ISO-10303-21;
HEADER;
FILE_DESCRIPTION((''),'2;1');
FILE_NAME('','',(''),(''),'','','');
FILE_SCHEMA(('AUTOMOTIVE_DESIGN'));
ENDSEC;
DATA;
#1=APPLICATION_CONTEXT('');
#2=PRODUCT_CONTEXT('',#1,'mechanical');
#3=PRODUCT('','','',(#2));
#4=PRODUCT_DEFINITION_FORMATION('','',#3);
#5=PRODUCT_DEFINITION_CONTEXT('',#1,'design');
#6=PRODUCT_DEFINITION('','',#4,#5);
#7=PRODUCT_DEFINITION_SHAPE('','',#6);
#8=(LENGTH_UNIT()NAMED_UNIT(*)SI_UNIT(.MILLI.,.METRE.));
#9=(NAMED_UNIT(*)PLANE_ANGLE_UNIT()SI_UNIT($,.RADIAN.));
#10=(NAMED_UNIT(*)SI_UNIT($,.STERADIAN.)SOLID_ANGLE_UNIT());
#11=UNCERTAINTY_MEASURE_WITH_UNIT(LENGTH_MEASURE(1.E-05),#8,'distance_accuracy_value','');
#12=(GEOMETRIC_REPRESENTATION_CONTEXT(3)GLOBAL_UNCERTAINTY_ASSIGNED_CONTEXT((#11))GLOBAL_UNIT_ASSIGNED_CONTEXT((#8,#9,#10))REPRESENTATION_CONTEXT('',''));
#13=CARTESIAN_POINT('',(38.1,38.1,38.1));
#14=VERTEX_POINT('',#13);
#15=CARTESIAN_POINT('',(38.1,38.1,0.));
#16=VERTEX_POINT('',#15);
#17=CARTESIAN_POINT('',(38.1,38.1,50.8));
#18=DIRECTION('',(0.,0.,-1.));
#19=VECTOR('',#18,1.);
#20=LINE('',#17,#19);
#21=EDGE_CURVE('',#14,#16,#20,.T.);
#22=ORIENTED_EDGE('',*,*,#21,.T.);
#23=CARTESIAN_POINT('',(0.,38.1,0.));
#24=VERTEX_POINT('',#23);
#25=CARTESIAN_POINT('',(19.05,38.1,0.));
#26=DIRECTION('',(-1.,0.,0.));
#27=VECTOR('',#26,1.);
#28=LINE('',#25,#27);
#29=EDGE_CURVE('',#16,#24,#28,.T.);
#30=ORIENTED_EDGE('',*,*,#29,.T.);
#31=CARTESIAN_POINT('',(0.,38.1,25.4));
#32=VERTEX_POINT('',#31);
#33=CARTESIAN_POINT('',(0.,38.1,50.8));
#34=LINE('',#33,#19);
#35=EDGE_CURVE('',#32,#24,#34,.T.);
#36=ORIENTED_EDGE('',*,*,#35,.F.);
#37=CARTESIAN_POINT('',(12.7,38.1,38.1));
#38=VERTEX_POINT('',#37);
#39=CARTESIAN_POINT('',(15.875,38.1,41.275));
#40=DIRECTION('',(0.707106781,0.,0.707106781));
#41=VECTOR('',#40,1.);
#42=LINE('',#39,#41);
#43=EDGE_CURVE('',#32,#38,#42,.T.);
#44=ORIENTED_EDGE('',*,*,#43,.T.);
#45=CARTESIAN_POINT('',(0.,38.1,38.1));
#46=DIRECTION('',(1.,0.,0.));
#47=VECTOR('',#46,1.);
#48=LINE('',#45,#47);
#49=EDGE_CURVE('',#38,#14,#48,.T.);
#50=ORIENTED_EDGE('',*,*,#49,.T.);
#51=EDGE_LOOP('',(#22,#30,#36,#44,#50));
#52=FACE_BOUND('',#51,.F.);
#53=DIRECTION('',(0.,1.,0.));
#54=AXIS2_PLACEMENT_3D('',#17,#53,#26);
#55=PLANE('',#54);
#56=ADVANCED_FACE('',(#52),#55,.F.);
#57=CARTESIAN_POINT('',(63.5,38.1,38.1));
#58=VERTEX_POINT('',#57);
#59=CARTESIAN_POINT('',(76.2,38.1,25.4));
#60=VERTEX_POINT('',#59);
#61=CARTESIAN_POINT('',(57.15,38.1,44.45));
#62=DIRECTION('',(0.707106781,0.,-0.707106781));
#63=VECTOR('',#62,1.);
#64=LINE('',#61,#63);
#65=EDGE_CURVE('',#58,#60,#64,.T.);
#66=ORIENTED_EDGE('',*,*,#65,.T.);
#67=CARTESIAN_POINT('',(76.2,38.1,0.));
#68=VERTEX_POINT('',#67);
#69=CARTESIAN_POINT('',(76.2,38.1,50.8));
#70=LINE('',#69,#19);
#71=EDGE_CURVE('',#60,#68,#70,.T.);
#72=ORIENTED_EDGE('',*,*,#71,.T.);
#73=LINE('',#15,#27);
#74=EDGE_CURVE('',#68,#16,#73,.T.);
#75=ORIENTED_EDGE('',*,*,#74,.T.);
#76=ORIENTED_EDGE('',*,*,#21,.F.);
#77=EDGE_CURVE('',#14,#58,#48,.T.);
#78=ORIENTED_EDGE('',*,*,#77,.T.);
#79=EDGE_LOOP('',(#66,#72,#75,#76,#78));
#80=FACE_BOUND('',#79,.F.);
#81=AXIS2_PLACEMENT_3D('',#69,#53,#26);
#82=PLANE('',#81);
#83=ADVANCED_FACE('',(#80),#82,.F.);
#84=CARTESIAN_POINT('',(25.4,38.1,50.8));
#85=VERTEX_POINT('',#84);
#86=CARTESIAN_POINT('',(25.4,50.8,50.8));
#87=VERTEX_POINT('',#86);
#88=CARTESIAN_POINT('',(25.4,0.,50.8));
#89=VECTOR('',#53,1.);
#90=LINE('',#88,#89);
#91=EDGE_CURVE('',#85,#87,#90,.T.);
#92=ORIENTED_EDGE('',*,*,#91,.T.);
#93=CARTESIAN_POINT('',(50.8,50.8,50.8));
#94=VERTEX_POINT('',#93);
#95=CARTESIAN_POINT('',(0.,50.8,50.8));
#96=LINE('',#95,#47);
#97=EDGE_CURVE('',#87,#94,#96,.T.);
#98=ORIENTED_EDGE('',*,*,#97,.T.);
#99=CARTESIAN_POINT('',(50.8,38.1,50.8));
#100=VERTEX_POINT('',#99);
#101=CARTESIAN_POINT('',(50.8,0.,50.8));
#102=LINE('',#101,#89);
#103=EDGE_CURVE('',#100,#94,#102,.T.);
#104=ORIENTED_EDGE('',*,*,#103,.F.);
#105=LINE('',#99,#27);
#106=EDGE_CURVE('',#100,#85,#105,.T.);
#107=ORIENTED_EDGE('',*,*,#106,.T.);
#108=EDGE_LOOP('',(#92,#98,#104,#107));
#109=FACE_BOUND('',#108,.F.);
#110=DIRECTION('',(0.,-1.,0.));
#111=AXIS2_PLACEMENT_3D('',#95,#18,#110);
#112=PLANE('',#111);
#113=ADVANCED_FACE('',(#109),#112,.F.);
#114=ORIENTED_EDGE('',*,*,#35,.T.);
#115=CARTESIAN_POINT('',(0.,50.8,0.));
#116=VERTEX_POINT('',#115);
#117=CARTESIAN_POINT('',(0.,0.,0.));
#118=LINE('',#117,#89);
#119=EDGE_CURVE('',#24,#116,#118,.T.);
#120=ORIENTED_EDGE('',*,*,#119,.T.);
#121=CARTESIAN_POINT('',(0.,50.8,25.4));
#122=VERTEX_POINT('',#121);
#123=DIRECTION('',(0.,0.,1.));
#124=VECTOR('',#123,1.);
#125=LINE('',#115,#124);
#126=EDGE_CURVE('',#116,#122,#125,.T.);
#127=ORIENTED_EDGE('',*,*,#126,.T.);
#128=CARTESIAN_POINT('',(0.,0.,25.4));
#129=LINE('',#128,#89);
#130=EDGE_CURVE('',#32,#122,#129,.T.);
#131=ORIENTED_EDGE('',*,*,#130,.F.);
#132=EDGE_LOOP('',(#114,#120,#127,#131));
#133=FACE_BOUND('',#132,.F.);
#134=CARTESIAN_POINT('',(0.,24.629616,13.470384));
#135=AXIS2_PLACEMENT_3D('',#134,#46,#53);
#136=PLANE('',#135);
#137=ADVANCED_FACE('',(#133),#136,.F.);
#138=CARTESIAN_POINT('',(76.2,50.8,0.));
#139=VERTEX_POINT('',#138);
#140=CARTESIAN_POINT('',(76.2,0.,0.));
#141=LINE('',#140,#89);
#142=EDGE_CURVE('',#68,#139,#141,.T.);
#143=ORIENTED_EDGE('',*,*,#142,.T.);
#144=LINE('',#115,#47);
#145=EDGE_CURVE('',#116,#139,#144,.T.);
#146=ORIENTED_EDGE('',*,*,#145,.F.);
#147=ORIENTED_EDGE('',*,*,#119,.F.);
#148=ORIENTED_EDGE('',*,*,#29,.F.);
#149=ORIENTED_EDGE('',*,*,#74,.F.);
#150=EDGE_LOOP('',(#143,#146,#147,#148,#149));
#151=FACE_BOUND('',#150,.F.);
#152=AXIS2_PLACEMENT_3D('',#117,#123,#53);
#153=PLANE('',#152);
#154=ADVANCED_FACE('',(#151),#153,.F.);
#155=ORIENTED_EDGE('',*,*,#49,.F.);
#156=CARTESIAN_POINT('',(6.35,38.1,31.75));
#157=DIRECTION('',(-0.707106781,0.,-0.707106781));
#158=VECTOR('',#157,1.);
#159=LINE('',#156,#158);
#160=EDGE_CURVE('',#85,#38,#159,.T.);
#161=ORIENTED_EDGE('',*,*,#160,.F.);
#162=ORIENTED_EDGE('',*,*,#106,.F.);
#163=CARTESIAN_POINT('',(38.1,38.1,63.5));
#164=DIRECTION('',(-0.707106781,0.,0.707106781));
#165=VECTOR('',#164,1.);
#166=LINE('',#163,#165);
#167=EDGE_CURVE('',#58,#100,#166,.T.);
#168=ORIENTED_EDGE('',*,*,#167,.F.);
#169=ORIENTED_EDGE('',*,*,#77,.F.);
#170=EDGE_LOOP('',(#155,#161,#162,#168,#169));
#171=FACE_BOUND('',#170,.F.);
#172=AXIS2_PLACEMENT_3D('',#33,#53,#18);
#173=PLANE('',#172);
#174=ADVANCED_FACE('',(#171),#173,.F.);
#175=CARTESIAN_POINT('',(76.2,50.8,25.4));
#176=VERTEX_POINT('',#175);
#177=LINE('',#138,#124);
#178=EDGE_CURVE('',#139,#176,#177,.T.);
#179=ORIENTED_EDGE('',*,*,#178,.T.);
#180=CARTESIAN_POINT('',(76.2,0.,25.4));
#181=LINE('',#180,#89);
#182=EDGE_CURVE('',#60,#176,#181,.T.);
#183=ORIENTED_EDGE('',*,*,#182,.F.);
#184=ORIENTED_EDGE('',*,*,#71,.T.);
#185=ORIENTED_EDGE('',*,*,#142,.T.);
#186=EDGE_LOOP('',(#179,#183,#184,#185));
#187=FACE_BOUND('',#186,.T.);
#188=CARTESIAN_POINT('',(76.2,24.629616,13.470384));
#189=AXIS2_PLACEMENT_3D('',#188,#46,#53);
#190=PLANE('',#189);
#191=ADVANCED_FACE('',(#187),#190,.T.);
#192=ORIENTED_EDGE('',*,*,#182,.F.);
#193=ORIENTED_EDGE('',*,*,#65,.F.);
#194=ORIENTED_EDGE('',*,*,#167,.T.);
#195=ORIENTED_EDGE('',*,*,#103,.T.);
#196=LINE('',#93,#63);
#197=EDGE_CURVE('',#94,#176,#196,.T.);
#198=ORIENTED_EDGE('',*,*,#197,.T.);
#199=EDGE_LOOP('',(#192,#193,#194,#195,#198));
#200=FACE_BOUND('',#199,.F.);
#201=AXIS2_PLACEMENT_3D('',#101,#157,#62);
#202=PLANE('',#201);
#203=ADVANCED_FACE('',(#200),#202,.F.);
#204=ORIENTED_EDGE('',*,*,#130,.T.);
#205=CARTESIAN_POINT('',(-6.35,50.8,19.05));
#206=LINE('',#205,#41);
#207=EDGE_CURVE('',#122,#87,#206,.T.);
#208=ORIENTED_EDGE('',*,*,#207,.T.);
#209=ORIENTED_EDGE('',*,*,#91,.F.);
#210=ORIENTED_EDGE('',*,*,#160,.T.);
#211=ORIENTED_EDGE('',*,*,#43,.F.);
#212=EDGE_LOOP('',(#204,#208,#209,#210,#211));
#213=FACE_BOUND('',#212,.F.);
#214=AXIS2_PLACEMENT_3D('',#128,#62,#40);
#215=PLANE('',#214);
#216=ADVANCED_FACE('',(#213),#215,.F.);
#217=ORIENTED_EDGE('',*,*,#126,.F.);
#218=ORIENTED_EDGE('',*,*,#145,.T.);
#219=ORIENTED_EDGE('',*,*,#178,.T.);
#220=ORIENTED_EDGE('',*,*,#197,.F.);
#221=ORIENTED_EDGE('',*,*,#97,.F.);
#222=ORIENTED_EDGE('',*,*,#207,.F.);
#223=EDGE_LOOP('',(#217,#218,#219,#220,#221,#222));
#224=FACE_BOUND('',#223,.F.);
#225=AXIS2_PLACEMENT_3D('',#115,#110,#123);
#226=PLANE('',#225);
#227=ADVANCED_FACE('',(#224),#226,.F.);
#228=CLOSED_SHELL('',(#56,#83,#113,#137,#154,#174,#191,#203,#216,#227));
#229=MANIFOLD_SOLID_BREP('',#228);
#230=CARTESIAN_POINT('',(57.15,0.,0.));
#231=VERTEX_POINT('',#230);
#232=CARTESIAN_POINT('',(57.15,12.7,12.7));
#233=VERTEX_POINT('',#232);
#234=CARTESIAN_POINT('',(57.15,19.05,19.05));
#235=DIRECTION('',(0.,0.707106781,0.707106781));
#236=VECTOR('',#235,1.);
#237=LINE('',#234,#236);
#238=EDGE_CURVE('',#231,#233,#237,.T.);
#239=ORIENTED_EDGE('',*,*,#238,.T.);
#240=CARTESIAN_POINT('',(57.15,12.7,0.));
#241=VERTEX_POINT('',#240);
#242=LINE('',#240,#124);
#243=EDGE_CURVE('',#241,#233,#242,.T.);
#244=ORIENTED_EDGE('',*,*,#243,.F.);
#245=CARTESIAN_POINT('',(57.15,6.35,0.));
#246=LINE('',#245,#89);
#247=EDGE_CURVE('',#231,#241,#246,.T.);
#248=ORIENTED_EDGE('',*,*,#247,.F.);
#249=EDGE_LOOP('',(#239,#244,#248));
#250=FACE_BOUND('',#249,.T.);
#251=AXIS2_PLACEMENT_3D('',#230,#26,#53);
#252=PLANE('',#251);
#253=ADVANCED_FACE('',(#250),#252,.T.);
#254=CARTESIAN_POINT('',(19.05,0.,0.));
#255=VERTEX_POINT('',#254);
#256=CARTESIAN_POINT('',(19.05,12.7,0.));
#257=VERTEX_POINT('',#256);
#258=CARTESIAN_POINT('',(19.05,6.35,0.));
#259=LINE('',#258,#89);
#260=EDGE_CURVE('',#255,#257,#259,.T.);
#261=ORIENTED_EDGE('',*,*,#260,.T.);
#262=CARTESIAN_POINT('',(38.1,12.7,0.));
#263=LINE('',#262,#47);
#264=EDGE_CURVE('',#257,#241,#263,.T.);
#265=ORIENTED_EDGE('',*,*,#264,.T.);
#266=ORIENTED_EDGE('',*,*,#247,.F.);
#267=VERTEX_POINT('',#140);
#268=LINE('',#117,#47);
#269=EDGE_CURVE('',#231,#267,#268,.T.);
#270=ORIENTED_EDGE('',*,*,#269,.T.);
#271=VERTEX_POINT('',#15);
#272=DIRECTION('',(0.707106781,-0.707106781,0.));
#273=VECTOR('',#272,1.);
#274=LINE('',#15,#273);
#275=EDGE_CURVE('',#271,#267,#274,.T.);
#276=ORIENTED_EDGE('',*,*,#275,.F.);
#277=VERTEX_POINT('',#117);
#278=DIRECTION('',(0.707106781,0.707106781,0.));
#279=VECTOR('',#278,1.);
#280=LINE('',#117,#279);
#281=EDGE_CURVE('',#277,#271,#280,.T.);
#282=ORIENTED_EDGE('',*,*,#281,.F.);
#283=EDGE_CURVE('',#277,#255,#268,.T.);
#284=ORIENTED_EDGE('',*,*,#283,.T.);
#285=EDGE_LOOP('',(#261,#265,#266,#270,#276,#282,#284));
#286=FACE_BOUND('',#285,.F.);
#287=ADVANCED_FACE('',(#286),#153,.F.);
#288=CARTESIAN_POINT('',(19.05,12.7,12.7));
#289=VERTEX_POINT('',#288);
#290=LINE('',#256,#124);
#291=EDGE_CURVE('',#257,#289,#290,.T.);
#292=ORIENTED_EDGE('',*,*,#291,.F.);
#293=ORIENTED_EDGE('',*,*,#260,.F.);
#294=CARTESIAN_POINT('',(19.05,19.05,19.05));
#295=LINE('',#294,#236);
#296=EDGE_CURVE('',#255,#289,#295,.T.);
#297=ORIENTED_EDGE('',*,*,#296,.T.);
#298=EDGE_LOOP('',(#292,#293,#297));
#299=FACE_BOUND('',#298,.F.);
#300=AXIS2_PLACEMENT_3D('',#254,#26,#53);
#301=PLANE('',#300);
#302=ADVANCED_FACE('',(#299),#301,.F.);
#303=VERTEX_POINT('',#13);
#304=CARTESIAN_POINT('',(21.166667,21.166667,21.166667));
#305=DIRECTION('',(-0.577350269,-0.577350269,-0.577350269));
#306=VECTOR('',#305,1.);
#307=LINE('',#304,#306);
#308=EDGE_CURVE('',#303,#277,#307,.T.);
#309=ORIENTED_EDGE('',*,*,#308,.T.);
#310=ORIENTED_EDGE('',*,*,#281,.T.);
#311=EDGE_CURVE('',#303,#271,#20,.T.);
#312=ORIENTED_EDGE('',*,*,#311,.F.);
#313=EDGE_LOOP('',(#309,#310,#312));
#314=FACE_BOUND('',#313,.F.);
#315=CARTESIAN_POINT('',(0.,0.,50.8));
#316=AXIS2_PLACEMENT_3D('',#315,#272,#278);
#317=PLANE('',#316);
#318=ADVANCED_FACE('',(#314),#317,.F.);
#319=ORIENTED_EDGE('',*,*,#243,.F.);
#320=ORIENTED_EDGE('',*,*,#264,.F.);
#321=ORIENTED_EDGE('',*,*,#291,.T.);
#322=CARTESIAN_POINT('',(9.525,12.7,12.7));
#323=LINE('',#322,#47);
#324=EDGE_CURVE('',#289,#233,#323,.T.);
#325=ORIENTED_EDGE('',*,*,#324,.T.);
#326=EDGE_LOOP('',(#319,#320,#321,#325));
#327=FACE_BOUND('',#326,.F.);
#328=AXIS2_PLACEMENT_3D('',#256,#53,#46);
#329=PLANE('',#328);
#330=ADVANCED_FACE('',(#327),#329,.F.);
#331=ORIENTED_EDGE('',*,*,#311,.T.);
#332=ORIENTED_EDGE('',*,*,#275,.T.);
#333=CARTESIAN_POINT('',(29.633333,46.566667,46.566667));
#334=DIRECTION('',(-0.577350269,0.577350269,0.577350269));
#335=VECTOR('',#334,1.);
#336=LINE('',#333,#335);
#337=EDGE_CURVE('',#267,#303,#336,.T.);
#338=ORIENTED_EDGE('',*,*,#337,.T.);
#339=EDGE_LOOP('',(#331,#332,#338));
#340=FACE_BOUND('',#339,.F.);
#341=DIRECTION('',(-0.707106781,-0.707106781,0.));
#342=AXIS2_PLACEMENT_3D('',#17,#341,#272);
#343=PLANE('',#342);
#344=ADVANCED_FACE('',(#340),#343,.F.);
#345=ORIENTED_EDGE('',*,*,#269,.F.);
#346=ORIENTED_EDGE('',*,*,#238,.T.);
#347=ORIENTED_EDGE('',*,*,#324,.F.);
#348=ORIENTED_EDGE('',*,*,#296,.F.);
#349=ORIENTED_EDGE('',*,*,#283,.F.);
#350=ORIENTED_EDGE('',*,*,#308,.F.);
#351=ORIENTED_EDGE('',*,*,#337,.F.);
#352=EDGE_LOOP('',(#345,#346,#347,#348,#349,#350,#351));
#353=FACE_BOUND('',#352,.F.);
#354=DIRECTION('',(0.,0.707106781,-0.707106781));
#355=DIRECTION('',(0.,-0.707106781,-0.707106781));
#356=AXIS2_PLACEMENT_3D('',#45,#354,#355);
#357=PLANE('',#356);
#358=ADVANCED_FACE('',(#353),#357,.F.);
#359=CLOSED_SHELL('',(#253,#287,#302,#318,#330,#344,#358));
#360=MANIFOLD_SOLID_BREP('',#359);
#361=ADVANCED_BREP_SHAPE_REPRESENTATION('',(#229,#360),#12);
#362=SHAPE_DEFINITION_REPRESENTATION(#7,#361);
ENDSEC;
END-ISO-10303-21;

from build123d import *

# Parameters (mm, degrees)
F1_DEPTH = 76.2
F3_DEPTH = 50.801
F5_DEPTH = 50.801
F6_W     = 38.1
F6_H     = 12.7
F7_DEPTH = 25.4


with BuildPart() as f1:
    # F0 (on Right) → F1 (new body)
    with BuildSketch(Plane.YZ):
        Polygon((38.1, 38.1), (0, 0), (38.1, 0), align=None)
        Polygon((38.1, 38.1), (38.1, 0), (50.8, 0), (50.8, 50.8), (38.1, 50.8), align=None)
    extrude(amount=F1_DEPTH)

    # F2 (on Front) → F3 (cut, through all)
    with BuildSketch(Plane.XZ):
        Polygon((0, 50.8), (0, 25.4), (25.4, 50.8), align=None)
        Polygon((50.8, 50.8), (76.2, 25.4), (76.2, 50.8), align=None)
    extrude(amount=-F3_DEPTH, mode=Mode.SUBTRACT)

    # F4 (on face) → F5 (cut, through all)
    with BuildSketch(Plane.XY.offset(50.8)):
        Polygon((50.8, 38.1), (38.1, 38.1), (76.2, 0), (76.2, 38.1), align=None)
        Polygon((0, 38.1), (0, 0), (38.1, 38.1), (25.4, 38.1), align=None)
    extrude(amount=-F5_DEPTH, mode=Mode.SUBTRACT)

    # F6 (on Top) → F7 (cut)
    with BuildSketch(Plane.XY):
        with Locations((38.1, 6.35)):
            Rectangle(F6_W, F6_H)
    extrude(amount=F7_DEPTH, mode=Mode.SUBTRACT)


solid = f1.part
